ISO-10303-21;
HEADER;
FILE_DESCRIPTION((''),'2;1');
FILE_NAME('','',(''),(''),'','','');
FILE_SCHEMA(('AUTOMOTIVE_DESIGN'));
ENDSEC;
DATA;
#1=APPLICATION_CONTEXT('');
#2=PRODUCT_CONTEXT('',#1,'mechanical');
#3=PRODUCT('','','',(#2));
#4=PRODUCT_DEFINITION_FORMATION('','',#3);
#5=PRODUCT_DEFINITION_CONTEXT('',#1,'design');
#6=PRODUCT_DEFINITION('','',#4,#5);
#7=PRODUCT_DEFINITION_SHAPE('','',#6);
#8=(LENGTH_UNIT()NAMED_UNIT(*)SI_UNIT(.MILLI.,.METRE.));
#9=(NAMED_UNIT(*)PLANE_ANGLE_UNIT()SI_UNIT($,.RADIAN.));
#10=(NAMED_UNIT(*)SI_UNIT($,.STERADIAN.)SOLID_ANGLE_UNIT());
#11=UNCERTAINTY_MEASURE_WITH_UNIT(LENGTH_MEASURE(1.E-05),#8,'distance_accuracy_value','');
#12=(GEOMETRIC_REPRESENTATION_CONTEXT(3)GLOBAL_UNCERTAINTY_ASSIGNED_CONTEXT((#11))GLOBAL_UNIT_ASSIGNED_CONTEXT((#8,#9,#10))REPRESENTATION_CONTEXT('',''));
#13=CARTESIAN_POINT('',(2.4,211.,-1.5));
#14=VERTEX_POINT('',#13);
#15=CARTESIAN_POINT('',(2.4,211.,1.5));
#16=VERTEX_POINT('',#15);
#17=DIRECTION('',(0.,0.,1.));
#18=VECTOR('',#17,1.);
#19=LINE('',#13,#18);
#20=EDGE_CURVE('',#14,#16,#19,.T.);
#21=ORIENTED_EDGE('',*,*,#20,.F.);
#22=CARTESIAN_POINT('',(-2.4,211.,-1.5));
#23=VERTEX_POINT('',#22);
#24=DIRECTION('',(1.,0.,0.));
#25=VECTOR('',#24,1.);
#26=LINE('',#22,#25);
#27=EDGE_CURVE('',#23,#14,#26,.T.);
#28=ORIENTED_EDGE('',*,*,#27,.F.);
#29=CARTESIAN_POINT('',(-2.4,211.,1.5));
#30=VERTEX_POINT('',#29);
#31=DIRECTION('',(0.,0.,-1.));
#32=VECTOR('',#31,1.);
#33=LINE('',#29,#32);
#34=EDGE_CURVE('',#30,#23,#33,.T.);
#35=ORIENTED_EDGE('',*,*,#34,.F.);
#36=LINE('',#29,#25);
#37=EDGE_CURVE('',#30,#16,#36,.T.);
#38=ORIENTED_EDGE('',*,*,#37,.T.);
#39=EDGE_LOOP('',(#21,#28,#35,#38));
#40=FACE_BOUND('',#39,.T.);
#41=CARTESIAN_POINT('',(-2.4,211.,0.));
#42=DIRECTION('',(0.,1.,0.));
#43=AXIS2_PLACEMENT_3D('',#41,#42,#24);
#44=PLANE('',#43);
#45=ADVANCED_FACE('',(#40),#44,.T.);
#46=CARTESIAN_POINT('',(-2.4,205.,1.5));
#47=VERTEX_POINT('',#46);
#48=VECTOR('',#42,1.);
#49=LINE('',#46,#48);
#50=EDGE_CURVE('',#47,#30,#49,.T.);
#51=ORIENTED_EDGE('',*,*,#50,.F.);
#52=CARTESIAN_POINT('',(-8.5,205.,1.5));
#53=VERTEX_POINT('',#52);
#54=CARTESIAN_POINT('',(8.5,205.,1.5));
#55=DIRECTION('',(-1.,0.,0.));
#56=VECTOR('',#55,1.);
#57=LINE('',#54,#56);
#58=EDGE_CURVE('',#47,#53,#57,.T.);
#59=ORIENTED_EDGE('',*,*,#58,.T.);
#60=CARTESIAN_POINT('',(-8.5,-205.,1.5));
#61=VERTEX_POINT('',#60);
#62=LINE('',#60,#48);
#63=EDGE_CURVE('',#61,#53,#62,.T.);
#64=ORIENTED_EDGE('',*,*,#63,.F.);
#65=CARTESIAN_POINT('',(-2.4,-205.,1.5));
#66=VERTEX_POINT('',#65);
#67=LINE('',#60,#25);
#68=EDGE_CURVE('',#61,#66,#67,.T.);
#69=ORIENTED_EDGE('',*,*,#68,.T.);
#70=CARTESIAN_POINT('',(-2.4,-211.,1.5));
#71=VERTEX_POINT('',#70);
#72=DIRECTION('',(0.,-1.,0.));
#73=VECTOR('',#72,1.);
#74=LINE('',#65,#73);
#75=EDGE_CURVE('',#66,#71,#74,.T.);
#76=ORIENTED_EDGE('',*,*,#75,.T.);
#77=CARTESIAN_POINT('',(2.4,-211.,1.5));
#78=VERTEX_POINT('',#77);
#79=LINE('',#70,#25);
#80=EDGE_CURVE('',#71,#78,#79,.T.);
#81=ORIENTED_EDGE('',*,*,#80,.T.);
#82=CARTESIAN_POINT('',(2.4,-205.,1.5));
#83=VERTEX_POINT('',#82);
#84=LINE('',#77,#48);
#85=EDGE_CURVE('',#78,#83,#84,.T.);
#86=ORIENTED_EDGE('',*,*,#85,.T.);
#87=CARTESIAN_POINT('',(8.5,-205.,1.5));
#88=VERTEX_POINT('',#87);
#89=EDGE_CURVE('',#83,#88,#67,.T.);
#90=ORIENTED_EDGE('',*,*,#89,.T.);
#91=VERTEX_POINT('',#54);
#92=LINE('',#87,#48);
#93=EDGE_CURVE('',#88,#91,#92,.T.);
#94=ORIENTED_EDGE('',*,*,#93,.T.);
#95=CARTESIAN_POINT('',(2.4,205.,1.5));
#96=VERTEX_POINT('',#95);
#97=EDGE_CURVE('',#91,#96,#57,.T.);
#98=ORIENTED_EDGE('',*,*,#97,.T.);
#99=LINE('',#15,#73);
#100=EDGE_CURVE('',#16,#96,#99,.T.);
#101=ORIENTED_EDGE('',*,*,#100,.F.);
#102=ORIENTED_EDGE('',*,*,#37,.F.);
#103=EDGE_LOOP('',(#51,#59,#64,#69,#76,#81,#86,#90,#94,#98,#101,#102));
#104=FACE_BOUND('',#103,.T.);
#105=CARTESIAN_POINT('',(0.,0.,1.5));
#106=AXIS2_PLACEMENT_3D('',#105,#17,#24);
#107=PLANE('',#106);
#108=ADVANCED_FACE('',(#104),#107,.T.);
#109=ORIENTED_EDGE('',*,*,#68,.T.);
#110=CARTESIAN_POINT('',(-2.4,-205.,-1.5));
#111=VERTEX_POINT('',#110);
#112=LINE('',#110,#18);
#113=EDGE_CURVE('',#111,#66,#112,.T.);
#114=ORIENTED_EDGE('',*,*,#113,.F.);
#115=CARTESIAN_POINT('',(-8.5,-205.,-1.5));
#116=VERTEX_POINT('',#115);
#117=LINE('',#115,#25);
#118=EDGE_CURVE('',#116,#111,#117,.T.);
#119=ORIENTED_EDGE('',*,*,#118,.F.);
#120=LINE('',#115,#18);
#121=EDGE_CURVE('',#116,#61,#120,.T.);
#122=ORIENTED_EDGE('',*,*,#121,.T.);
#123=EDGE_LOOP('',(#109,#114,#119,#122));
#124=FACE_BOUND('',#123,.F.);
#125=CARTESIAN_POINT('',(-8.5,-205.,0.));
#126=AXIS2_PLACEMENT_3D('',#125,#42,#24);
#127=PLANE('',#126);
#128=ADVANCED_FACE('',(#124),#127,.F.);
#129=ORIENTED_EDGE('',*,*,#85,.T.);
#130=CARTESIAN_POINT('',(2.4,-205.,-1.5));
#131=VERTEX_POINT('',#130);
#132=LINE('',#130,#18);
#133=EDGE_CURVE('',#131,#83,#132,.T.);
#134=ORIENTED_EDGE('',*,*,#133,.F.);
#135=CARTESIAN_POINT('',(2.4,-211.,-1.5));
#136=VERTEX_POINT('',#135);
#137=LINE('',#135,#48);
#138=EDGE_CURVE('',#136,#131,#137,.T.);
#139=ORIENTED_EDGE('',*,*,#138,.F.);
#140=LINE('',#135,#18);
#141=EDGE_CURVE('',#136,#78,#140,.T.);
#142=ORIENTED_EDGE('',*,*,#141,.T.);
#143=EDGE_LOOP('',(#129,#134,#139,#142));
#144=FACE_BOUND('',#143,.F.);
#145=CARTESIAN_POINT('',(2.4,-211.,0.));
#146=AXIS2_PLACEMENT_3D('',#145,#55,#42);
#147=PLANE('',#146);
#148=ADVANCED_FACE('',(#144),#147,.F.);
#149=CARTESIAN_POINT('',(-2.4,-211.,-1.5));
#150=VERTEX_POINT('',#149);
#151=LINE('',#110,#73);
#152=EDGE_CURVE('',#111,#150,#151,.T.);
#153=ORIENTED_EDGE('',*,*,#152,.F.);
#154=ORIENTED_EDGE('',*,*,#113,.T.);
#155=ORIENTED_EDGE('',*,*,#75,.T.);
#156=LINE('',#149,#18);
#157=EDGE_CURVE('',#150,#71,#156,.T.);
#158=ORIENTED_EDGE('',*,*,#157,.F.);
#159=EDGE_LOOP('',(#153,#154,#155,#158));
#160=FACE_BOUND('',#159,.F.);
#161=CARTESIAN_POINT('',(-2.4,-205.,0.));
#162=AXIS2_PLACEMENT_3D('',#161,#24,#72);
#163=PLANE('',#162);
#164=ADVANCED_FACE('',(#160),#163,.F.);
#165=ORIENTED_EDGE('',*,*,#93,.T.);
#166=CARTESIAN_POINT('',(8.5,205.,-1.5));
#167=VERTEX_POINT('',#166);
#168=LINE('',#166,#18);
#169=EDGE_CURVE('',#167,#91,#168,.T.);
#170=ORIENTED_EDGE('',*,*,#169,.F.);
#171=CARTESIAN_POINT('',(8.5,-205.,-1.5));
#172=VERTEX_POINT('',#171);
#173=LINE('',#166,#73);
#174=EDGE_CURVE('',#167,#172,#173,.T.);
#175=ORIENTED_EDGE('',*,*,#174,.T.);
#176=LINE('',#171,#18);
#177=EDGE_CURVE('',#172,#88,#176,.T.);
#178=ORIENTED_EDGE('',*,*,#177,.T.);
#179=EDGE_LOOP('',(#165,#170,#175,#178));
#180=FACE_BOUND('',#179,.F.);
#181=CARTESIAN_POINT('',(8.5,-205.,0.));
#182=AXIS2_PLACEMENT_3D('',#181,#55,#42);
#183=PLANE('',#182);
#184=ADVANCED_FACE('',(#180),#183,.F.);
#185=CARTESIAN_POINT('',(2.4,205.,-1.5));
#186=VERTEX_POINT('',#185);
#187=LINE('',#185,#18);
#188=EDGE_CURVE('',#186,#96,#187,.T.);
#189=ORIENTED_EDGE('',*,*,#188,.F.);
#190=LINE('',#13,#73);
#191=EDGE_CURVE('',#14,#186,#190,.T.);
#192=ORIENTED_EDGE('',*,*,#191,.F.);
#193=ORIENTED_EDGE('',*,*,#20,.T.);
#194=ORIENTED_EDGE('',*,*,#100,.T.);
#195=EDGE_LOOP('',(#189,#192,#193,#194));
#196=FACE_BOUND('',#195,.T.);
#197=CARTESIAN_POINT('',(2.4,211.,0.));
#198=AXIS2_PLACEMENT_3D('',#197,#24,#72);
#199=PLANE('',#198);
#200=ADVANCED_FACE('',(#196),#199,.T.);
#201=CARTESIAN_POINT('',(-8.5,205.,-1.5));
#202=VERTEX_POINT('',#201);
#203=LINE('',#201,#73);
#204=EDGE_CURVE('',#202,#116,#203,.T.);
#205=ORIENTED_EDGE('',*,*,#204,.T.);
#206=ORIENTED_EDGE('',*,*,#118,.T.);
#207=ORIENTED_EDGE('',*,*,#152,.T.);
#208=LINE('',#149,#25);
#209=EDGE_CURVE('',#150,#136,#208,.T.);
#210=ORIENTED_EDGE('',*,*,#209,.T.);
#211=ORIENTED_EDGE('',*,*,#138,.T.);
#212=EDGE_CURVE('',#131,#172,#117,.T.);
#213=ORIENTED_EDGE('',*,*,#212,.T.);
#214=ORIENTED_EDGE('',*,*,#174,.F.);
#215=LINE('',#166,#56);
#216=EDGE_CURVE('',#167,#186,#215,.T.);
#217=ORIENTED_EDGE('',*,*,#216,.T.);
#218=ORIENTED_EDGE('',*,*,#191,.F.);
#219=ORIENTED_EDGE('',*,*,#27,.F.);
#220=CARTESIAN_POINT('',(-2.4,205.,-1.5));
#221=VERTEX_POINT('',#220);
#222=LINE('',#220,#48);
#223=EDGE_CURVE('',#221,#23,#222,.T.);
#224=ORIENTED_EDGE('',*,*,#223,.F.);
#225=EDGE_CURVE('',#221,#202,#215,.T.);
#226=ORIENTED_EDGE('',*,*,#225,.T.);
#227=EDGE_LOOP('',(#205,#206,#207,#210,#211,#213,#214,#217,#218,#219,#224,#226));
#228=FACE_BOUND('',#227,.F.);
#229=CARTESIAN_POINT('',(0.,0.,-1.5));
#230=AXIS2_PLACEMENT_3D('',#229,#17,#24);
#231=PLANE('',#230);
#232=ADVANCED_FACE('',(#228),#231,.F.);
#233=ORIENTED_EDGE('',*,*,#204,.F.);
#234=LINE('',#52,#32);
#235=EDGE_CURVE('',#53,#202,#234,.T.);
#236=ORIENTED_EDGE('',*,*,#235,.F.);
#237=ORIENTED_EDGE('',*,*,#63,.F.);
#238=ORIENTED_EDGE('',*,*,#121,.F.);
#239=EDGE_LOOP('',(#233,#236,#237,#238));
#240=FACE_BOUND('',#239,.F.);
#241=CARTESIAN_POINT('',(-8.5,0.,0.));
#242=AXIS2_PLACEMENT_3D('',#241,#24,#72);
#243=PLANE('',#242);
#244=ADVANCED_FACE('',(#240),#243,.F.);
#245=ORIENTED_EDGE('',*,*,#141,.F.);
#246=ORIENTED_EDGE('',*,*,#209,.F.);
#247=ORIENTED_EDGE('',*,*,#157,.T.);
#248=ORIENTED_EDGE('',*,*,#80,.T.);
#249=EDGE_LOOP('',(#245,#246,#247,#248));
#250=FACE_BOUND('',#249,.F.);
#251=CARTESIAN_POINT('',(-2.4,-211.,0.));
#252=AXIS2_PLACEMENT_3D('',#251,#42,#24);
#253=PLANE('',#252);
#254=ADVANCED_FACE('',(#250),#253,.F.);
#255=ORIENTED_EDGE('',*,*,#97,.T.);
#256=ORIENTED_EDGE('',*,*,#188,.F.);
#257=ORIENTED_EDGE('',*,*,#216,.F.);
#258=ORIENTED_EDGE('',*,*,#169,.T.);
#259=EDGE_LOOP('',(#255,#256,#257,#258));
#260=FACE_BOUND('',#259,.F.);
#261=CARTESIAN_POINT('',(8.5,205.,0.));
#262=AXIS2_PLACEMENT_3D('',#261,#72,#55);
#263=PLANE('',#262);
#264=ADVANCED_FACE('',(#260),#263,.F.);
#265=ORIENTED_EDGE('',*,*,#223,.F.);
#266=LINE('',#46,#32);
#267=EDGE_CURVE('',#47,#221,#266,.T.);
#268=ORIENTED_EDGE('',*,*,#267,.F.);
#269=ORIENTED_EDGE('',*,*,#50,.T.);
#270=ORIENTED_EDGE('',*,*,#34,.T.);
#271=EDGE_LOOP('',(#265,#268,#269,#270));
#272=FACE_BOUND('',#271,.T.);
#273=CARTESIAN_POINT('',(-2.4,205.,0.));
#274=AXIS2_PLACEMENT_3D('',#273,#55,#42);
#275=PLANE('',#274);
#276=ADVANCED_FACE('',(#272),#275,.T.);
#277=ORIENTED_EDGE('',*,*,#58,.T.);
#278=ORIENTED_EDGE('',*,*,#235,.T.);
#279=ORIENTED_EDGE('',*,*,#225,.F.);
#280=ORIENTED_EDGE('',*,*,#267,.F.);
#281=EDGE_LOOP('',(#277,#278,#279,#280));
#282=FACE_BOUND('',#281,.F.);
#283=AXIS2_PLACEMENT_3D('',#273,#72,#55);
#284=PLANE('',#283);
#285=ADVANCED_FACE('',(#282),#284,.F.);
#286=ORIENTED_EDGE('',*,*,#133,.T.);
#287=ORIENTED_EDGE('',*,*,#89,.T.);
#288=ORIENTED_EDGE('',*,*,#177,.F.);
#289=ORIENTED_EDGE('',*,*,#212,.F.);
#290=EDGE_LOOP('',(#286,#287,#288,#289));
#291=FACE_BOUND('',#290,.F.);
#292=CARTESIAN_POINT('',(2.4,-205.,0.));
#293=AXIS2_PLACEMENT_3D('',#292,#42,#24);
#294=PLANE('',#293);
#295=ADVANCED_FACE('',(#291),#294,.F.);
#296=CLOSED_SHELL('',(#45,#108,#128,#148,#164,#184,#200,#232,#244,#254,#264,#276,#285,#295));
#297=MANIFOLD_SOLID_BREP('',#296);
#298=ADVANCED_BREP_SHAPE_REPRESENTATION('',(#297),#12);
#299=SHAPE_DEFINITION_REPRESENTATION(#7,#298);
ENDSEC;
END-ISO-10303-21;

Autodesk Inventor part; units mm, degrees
ref_plane "YZ Plane" through (0, 0, 0) normal (1, 0, 0) x (0, 1, 0)
ref_plane "XZ Plane" through (0, 0, 0) normal (0, 1, 0) x (-1, 0, 0)
ref_plane "XY Plane" through (0, 0, 0) normal (0, 0, 1) x (1, 0, 0)
sketch "Sketch1" plane through (0, 0, 0) normal (0, 0, 1) x (1, 0, 0)
  line L0 (-8.5, -205) -> (8.5, -205)
  line L1 (8.5, -205) -> (8.5, 205)
  line L2 (8.5, 205) -> (-8.5, 205)
  line L3 (-8.5, 205) -> (-8.5, -205)
  line L4 (-8.5, -205) -> (8.5, 205) construction
  line L5 (8.5, -205) -> (-8.5, 205) construction
  line L6 (-2.4, 211) -> (2.4, 211)
  line L7 (2.4, 211) -> (2.4, 205)
  line L8 (2.4, 205) -> (-2.4, 205)
  line L9 (-2.4, 205) -> (-2.4, 211)
  line L10 (-2.4, 211) -> (2.4, 205) construction
  line L11 (2.4, 211) -> (-2.4, 205) construction
  line L12 (-8.5, 0) -> (8.5, 0)
  line L13 (-2.4, -211) -> (2.4, -211)
  line L14 (2.4, -211) -> (2.4, -205)
  line L15 (2.4, -205) -> (-2.4, -205)
  line L16 (-2.4, -205) -> (-2.4, -211)
  line L17 (-2.4, -211) -> (2.4, -205) construction
  line L18 (2.4, -211) -> (-2.4, -205) construction
  point P0 (0, 0)
  point P1 (0, 208)
  point P2 (0, 205)
  point P3 (0, 205)
  point P4 (0, -208)
  point P5 (0, -205)
  point P6 (0, -205)
  dimension "d0" = 17
  dimension "d1" = 410
  dimension "d2" = 4.8
  dimension "d3" = 6
extrude "Plate1" add sketch "Sketch1" along normal mid plane 3
equation "\"d4\" = Thickness"
equation "\"BendRadius\" = Thickness"
equation "\"BendReliefWidth\" = Thickness"
equation "\"BendReliefDepth\" = 0.5 * Thickness"
equation "\"CornerReliefSize\" = 4 * Thickness"
equation "\"MinimumRemnant\" = 2 * Thickness"
equation "\"TransitionRadius\" = BendRadius"
equation "\"JacobiRadiusSize\" = BendRadius"
equation "\"GapSize\" = Thickness"
equation "\"Thickness\" = 3"
properties part number "Path Holder"
